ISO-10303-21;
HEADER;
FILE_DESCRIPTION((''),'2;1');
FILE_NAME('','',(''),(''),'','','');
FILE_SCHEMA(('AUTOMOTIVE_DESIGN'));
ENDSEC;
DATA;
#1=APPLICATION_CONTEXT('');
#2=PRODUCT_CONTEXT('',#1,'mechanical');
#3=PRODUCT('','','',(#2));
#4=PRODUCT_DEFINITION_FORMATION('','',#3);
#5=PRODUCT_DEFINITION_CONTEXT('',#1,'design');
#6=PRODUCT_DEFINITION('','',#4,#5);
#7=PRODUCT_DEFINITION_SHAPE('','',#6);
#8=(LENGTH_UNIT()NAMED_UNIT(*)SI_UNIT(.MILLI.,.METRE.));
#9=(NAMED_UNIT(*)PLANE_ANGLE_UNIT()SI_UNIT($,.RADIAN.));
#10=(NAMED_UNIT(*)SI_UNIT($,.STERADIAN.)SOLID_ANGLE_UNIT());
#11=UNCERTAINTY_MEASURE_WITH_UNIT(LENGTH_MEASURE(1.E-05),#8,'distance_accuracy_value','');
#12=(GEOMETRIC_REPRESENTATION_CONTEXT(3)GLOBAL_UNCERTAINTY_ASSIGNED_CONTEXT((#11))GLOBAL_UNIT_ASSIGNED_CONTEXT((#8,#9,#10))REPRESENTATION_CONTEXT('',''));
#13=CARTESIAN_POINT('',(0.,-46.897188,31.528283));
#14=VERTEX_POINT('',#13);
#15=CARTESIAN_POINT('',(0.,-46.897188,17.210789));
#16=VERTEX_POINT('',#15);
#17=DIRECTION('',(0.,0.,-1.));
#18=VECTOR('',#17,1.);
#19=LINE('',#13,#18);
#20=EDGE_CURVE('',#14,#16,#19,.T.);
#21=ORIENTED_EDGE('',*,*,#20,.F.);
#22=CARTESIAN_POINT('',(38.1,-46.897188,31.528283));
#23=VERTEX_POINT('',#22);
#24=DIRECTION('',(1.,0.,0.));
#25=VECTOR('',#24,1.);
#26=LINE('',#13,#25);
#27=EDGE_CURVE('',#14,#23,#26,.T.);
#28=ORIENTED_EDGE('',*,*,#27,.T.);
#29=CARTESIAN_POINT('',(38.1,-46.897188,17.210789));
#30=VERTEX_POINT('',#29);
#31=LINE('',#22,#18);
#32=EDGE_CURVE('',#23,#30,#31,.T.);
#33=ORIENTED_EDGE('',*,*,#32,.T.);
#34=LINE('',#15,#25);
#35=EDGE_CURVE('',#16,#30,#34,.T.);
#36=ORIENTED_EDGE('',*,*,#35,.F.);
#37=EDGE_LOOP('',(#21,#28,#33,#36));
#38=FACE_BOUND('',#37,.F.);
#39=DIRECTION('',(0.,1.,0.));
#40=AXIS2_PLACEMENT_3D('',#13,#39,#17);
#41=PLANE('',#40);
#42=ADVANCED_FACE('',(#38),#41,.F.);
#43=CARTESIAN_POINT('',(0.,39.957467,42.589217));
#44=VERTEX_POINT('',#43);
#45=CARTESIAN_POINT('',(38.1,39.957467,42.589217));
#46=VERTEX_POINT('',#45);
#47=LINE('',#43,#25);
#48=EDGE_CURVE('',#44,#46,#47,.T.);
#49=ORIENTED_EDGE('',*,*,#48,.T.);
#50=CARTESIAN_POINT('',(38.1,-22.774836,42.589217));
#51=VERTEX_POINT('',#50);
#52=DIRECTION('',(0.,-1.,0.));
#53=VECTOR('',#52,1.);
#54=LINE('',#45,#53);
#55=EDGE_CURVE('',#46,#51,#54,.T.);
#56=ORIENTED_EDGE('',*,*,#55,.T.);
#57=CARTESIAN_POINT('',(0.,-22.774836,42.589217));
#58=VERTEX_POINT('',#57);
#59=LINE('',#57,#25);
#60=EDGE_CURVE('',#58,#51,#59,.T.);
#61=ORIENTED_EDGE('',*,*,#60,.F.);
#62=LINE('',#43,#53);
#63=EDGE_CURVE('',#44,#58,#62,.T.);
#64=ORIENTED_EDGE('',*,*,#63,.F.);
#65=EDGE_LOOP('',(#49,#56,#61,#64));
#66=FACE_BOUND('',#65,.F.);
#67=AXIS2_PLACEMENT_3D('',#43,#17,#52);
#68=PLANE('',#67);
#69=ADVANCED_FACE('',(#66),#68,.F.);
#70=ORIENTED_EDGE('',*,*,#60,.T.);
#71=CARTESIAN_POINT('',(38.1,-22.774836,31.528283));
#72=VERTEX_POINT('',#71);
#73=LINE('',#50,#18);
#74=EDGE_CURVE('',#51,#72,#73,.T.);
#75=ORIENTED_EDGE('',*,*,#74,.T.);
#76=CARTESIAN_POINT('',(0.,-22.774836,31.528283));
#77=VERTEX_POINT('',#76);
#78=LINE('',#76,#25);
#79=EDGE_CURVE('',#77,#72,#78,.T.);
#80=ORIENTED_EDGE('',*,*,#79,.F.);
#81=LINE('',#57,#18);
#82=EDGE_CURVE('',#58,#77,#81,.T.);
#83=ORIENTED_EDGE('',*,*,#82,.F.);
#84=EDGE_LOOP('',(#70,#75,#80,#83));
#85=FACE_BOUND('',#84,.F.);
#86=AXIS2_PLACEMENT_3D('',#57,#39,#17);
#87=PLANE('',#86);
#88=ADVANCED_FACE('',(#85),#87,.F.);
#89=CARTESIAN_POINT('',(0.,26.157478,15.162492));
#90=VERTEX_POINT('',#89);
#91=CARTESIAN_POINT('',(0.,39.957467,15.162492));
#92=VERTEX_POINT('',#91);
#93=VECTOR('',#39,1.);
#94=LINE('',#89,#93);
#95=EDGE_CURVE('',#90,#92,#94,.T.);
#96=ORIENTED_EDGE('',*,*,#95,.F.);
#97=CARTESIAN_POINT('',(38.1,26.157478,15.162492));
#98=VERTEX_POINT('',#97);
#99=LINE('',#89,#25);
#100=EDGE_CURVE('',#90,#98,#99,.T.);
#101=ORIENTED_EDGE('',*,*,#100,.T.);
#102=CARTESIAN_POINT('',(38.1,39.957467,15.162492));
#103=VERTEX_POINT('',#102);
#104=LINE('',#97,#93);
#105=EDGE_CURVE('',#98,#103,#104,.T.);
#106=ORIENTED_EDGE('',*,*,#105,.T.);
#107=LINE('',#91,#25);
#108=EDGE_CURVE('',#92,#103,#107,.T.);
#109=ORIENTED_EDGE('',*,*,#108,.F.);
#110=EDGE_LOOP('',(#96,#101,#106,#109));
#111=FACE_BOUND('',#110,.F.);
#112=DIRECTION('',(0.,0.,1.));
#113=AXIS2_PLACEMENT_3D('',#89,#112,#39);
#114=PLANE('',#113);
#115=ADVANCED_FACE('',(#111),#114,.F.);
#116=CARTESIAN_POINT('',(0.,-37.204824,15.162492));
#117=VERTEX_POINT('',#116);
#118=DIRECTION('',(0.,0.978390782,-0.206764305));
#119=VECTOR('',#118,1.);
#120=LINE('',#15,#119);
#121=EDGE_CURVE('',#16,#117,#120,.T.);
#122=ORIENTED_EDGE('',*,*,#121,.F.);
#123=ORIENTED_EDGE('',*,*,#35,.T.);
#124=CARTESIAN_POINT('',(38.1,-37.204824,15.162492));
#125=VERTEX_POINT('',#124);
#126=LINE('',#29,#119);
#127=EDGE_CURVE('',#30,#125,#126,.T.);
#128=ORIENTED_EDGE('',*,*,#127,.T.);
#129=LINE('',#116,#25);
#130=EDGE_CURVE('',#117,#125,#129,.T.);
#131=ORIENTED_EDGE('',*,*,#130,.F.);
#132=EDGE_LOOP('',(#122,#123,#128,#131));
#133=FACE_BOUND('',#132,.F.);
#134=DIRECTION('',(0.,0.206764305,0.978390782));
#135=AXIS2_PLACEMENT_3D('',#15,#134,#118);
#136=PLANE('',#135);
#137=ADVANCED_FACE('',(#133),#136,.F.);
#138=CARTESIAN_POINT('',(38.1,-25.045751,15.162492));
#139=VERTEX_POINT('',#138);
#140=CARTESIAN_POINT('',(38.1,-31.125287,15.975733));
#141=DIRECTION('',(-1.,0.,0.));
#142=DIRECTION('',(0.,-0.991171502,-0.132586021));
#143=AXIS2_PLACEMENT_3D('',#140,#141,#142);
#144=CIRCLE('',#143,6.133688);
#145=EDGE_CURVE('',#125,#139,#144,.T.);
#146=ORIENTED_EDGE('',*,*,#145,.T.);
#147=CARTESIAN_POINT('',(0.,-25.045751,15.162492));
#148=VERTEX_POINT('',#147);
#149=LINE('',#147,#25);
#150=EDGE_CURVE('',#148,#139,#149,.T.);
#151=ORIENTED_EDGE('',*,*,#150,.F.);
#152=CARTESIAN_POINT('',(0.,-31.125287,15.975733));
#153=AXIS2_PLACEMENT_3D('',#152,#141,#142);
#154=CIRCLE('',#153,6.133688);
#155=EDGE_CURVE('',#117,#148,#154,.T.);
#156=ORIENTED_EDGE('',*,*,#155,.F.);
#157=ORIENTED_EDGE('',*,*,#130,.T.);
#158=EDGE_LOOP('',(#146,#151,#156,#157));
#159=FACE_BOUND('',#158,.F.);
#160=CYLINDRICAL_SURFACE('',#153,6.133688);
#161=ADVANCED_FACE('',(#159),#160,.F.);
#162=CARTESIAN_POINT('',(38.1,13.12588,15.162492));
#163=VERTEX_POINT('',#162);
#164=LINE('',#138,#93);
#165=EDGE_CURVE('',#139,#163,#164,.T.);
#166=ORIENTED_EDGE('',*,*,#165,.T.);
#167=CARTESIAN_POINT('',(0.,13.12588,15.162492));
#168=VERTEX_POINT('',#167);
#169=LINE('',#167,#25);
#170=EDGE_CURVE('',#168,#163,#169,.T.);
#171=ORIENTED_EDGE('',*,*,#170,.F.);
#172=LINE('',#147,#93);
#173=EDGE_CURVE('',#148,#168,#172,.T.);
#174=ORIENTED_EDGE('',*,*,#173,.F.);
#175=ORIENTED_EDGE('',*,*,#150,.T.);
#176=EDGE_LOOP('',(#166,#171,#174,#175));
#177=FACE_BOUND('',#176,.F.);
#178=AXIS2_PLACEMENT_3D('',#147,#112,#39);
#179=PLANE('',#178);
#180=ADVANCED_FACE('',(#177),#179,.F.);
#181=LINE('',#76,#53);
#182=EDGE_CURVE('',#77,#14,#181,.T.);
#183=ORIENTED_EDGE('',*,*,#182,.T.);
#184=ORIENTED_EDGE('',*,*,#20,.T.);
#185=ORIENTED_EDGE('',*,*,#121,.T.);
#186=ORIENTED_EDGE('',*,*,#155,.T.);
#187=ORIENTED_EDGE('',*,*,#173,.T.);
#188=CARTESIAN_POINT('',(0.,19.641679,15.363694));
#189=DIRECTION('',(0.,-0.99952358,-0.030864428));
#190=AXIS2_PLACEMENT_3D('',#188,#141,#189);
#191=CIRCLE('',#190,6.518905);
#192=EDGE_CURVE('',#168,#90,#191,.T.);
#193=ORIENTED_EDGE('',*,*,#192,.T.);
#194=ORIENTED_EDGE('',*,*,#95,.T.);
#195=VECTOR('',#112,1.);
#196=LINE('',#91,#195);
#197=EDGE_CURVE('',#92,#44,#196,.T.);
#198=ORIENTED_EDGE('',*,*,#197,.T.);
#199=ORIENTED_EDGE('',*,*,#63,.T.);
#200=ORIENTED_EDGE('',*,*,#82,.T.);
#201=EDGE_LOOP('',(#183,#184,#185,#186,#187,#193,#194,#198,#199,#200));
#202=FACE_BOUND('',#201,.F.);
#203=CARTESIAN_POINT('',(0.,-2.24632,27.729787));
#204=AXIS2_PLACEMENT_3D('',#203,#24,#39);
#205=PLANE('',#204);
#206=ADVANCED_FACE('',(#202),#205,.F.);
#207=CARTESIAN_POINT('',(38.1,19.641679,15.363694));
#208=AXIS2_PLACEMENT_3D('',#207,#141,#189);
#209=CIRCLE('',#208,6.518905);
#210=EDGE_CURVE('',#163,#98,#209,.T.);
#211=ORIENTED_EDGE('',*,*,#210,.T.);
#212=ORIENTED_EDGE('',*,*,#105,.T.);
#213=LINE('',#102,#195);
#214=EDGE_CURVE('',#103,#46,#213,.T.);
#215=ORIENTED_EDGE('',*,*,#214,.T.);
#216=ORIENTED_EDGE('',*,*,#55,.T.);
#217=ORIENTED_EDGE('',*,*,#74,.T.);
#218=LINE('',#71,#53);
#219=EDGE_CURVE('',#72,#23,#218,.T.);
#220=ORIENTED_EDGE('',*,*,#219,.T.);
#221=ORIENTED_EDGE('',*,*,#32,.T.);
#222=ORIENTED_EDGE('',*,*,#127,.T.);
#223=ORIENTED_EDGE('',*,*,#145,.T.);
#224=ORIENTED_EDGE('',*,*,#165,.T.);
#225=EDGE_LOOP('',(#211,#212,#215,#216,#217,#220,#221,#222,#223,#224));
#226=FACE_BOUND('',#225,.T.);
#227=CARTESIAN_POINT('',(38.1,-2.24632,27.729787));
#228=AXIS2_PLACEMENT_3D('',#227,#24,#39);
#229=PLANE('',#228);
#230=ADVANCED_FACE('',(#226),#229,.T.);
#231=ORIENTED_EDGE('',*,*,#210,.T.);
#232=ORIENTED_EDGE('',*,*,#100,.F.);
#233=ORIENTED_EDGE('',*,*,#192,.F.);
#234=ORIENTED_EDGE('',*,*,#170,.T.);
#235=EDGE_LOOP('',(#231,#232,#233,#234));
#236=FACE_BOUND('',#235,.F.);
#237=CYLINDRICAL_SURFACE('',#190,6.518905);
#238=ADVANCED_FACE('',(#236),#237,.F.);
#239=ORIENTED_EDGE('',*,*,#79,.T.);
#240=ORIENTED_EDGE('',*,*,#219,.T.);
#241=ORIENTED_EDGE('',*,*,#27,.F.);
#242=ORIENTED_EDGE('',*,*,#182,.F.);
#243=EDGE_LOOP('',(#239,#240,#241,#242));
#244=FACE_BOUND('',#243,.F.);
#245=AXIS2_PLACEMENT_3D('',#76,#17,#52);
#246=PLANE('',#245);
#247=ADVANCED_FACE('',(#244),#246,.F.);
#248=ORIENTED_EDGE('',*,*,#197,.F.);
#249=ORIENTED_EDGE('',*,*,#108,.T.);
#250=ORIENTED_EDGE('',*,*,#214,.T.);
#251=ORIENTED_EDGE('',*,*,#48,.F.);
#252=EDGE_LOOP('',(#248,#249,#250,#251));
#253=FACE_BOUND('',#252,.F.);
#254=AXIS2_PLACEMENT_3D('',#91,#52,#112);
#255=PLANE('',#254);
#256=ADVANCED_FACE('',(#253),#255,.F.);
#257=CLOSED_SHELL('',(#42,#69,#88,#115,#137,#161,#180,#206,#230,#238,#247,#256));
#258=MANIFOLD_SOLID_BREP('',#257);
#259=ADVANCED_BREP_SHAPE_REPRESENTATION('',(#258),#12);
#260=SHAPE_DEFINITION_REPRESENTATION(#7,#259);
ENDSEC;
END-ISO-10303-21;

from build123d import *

# Parameters (mm, degrees)
F1_DEPTH = 38.1


with BuildPart() as f1:
    # F0 (on Right) → F1 (new body)
    with BuildSketch(Plane.YZ):
        with BuildLine():
            Line((-46.897188, 31.528283), (-46.897188, 17.210789))
            Line((-46.897188, 17.210789), (-37.204824, 15.162492))
            ThreePointArc((-37.204824, 15.162492), (-31.125288, 22.109421), (-25.045751, 15.162492))
            Line((-25.045751, 15.162492), (13.12588, 15.162492))
            ThreePointArc((13.12588, 15.162492), (19.641679, 21.882599), (26.157478, 15.162492))
            Line((26.157478, 15.162492), (39.957467, 15.162492))
            Line((39.957467, 15.162492), (39.957467, 42.589217))
            Line((39.957467, 42.589217), (-22.774836, 42.589217))
            Line((-22.774836, 42.589217), (-22.774836, 31.528283))
            Line((-22.774836, 31.528283), (-46.897188, 31.528283))
        make_face()
    extrude(amount=F1_DEPTH)


solid = f1.part
